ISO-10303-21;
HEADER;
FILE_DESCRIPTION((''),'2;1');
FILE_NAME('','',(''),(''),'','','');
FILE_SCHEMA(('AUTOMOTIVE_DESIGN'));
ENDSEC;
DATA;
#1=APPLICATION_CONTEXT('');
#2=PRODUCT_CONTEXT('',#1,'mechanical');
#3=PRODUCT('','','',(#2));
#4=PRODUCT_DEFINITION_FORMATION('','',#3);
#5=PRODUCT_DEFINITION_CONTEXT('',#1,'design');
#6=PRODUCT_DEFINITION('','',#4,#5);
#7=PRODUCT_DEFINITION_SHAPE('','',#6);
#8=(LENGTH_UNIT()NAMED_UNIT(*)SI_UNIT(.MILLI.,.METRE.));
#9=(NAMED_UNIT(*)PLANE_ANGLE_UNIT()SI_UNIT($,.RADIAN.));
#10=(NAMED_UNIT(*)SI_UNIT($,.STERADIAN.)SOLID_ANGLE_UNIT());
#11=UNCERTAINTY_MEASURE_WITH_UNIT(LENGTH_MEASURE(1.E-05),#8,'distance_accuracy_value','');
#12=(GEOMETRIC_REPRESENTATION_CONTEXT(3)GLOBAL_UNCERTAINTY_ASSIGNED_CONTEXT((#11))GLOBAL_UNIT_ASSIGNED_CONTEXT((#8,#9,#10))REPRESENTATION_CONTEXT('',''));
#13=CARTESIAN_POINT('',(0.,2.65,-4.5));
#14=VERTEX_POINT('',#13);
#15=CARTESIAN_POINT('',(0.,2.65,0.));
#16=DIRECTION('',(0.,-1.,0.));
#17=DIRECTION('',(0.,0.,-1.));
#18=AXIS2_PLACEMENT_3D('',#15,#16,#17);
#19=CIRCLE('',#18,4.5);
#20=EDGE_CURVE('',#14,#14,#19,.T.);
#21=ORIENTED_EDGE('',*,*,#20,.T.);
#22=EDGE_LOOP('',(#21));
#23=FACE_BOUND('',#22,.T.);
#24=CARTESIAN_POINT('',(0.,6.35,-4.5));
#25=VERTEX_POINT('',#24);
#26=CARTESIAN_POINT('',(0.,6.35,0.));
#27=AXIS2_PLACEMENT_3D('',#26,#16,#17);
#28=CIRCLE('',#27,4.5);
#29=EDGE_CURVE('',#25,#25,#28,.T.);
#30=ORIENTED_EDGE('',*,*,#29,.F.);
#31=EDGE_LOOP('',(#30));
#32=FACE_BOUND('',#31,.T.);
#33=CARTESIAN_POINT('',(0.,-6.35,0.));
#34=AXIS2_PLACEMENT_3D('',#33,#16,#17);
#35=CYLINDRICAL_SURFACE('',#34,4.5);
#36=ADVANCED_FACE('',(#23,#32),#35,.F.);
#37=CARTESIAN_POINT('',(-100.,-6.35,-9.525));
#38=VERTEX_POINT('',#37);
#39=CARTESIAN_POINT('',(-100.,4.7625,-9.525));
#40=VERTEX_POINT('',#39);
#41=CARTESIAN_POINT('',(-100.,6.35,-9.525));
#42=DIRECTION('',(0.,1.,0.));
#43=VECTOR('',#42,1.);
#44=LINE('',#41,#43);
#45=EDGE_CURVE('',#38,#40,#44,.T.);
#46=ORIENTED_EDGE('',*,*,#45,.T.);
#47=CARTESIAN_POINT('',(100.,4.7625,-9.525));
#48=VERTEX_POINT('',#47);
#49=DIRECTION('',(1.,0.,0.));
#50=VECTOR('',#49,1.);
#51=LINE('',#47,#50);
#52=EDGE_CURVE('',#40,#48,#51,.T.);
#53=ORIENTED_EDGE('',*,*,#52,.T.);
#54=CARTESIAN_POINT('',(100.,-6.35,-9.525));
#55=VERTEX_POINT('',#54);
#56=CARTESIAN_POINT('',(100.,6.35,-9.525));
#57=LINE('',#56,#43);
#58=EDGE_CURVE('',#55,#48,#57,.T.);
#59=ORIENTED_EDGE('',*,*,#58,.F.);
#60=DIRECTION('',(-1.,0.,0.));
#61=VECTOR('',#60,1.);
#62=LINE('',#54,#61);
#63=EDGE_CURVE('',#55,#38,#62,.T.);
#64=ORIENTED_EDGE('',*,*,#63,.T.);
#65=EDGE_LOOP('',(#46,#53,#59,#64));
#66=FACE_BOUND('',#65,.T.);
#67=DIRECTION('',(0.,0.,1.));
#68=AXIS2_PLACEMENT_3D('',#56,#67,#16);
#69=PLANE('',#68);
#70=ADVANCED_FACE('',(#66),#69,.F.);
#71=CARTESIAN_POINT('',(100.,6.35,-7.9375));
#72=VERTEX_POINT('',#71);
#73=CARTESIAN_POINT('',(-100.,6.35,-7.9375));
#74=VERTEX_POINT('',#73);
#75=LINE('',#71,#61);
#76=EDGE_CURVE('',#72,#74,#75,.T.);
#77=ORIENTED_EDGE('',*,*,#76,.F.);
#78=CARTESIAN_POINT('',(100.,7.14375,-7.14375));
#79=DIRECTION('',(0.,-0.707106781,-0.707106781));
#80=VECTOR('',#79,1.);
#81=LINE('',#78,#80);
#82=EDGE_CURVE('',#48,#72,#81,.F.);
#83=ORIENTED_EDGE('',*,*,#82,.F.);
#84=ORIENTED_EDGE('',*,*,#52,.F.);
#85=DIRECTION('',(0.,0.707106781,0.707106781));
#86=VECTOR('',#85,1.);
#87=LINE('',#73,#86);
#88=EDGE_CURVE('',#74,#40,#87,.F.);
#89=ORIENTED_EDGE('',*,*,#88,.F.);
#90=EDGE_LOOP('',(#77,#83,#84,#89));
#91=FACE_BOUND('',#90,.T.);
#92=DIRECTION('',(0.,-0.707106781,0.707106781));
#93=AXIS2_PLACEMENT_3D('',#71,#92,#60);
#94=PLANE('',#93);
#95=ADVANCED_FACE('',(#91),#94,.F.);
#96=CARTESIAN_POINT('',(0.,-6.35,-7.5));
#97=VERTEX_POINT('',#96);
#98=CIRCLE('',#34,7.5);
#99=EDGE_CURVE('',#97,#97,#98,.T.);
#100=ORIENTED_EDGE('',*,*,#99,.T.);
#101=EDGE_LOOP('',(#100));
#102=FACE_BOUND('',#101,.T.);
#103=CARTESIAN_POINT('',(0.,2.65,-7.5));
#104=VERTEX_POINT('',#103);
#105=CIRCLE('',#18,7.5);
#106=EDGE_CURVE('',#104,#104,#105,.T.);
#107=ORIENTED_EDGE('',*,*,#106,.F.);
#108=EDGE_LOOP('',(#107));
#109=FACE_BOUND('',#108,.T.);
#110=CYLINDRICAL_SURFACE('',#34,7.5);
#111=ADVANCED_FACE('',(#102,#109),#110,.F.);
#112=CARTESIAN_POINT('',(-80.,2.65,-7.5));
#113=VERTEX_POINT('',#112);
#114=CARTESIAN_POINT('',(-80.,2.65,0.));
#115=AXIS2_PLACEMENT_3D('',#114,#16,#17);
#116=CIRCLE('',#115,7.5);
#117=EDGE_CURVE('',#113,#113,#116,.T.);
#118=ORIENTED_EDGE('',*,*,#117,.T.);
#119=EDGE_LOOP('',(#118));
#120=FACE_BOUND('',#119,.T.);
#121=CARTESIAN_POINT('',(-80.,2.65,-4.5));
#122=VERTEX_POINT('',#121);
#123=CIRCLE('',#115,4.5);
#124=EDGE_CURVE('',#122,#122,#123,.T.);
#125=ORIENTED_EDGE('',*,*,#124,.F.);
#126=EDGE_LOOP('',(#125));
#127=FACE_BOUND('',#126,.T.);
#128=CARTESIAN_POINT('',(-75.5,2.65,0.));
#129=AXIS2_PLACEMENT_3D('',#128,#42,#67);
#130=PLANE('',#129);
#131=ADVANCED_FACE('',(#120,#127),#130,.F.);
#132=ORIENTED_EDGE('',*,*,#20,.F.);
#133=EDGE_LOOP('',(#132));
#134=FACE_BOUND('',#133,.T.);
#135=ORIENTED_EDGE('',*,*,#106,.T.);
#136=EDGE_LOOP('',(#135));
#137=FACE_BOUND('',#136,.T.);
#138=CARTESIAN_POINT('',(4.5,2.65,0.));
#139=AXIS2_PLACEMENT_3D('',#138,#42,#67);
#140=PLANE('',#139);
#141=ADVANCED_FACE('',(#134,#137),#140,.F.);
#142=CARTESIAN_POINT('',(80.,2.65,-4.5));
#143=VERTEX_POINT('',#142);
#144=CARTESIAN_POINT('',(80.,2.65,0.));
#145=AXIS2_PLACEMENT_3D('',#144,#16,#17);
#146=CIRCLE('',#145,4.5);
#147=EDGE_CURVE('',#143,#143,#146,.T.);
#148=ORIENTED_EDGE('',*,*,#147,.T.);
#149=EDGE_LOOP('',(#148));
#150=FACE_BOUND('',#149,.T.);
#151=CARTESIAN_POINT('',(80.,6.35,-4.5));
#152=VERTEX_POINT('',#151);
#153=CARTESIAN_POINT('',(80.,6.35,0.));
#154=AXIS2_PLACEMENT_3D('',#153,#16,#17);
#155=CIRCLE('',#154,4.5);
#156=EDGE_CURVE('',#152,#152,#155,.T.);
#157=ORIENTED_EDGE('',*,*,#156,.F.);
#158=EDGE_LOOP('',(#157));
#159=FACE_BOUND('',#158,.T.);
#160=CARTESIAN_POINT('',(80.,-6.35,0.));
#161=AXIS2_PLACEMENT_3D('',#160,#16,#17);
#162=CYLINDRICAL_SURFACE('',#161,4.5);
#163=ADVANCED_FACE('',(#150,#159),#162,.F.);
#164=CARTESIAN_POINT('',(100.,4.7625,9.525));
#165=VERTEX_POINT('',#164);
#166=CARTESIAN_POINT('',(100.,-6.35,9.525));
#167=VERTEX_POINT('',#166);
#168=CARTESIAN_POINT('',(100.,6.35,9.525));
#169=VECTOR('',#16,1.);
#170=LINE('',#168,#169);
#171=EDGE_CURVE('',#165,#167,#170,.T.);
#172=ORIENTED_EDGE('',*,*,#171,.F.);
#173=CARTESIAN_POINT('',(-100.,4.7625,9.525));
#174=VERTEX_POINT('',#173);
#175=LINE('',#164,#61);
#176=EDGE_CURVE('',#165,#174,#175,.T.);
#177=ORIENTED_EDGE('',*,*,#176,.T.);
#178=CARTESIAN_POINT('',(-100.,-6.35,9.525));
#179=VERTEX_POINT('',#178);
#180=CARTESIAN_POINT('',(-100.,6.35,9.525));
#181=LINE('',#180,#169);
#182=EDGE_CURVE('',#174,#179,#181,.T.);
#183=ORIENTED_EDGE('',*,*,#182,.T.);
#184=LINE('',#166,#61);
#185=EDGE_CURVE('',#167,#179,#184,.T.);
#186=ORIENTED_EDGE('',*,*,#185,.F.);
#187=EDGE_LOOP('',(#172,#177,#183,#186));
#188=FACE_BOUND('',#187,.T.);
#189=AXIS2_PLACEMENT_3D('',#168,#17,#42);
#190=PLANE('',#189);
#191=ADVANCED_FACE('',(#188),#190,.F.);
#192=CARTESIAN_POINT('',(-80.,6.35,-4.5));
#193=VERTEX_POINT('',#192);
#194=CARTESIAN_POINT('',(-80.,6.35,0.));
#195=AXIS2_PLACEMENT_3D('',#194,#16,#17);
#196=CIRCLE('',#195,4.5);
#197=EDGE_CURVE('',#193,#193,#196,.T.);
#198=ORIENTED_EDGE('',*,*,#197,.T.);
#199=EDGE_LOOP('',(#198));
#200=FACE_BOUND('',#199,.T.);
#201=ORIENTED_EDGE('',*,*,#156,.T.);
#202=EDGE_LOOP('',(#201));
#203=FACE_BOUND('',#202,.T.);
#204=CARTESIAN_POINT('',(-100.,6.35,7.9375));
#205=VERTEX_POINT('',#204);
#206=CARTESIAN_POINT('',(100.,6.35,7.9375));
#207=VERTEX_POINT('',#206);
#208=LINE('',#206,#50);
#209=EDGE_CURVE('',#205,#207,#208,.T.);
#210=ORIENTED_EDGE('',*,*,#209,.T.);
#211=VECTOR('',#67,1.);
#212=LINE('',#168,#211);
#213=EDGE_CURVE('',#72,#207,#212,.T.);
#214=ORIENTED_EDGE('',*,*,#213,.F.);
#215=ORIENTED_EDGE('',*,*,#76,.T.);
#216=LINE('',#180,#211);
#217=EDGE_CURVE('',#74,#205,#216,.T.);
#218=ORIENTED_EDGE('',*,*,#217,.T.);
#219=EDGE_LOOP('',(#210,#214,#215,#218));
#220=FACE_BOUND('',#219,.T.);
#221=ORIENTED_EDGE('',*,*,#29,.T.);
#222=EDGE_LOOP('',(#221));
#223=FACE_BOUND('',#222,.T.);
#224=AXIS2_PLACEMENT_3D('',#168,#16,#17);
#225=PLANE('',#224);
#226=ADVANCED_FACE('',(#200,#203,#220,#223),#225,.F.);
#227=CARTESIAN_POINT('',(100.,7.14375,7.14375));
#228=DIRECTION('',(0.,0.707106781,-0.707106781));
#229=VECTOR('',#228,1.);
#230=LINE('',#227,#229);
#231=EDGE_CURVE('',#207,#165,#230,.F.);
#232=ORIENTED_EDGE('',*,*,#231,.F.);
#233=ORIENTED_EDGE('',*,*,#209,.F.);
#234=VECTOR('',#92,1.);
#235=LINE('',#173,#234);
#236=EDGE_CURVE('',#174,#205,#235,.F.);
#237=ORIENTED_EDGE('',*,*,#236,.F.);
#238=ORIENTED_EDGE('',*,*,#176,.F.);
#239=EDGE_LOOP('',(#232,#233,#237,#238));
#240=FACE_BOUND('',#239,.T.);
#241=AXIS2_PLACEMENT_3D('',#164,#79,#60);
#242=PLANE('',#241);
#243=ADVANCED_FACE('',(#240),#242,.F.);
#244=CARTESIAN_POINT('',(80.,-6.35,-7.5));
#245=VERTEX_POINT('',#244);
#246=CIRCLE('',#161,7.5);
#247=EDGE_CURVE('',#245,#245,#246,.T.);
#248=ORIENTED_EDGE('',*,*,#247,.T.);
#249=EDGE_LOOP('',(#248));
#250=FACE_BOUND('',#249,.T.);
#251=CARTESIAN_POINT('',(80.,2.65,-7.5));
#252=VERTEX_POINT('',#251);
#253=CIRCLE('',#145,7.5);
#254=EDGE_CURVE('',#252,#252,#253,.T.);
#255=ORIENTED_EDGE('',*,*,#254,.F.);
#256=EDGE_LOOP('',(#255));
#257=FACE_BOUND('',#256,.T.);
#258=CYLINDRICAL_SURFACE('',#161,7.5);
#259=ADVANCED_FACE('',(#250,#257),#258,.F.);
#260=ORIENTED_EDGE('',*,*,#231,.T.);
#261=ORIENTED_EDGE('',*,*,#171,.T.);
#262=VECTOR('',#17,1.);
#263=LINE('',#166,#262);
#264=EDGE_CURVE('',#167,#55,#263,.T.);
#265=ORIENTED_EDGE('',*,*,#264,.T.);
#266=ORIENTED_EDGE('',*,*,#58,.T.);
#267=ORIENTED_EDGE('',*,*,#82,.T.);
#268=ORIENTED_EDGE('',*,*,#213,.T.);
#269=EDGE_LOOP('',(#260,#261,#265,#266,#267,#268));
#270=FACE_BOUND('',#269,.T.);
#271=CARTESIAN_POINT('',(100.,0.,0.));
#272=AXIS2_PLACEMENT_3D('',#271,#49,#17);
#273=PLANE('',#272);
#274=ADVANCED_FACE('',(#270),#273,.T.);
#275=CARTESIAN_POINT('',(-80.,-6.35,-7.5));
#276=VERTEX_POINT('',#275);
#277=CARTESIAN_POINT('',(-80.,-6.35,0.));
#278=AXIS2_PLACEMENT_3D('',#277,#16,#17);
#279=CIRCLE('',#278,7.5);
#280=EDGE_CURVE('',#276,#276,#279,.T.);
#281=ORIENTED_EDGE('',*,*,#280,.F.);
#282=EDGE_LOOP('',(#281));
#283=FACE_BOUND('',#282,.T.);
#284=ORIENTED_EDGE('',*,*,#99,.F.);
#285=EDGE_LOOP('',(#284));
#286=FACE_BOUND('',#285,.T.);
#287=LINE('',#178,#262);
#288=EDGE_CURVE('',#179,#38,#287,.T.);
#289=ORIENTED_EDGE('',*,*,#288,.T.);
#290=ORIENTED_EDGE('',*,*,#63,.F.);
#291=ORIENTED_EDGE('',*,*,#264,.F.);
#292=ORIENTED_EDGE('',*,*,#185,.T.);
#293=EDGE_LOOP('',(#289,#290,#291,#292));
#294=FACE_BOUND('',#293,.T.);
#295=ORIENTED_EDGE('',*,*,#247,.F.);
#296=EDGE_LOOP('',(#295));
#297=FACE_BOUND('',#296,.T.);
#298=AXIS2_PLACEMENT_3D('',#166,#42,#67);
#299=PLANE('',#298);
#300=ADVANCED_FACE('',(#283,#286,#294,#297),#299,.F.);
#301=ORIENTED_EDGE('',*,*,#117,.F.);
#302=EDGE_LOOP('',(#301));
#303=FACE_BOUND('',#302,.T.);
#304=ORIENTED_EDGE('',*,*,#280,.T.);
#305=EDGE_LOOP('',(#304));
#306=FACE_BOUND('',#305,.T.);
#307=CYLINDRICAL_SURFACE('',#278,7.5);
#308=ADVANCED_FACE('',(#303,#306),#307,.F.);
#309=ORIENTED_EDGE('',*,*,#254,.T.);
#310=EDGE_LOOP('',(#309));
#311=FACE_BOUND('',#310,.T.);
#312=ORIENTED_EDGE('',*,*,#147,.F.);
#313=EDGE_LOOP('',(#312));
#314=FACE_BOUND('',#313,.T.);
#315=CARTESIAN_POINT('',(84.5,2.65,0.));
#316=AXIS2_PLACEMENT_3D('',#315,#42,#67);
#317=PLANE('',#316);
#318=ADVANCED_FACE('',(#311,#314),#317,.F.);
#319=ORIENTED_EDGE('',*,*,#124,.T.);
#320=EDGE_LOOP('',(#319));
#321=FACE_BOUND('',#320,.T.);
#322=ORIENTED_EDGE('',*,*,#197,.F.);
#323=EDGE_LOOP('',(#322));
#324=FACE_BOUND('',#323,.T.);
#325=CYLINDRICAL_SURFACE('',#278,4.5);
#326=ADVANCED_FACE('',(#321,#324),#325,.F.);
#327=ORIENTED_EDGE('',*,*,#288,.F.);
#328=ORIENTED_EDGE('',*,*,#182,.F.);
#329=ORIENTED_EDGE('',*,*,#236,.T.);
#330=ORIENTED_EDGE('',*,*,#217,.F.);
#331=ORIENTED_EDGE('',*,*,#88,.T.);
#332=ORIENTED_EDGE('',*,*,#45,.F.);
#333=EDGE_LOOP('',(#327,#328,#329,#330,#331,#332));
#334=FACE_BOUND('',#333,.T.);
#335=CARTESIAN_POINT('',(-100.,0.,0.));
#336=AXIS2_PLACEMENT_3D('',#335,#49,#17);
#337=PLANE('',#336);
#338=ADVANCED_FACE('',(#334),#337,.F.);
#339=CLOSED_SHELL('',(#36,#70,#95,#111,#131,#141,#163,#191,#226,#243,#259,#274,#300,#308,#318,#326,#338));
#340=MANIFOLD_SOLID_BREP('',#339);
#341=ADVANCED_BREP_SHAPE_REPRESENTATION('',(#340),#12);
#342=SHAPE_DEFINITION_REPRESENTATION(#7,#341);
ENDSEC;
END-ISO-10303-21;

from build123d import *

# Parameters (mm, degrees)
SKETCH1_W                                           = 19.05
SKETCH1_H                                           = 12.7
BOSS_EXTRUDE1_DEPTH                                 = 100
CBORE_FOR_M8_HEX_SOCKET_HEAD_CAP_SCREW1_D           = 9
CBORE_FOR_M8_HEX_SOCKET_HEAD_CAP_SCREW1_CBORE_D     = 15
CBORE_FOR_M8_HEX_SOCKET_HEAD_CAP_SCREW1_CBORE_DEPTH = 9
CHAMFER1_SIZE                                       = 1.5875


with BuildPart() as part:
    # Sketch1 → Boss-Extrude1 (new, symmetric)
    with BuildSketch(Plane(origin=(0, 0, 0), x_dir=(0, 0, -1), z_dir=(1, 0, 0))):
        Rectangle(SKETCH1_W, SKETCH1_H)
    extrude(amount=BOSS_EXTRUDE1_DEPTH, both=True)

    # CBORE for M8 Hex Socket Head Cap Screw1 (through all)
    with Locations(Plane(origin=(-66.368908966, -6.35, -4.540102203), x_dir=(1, 0, 0), z_dir=(0, -1, 0))):
        with Locations((-13.631091034, 4.540102203), (66.368908966, 4.540102203), (146.368908966, 4.540102203)):
            CounterBoreHole(CBORE_FOR_M8_HEX_SOCKET_HEAD_CAP_SCREW1_D / 2, CBORE_FOR_M8_HEX_SOCKET_HEAD_CAP_SCREW1_CBORE_D / 2, CBORE_FOR_M8_HEX_SOCKET_HEAD_CAP_SCREW1_CBORE_DEPTH)

    # Chamfer1
    chamfer1_edges = [part.edges().sort_by_distance(p)[0] for p in [
        (0, 6.35, 9.525),
        (0, 6.35, -9.525),
    ]]
    chamfer(chamfer1_edges, length=CHAMFER1_SIZE)


solid = part.part
